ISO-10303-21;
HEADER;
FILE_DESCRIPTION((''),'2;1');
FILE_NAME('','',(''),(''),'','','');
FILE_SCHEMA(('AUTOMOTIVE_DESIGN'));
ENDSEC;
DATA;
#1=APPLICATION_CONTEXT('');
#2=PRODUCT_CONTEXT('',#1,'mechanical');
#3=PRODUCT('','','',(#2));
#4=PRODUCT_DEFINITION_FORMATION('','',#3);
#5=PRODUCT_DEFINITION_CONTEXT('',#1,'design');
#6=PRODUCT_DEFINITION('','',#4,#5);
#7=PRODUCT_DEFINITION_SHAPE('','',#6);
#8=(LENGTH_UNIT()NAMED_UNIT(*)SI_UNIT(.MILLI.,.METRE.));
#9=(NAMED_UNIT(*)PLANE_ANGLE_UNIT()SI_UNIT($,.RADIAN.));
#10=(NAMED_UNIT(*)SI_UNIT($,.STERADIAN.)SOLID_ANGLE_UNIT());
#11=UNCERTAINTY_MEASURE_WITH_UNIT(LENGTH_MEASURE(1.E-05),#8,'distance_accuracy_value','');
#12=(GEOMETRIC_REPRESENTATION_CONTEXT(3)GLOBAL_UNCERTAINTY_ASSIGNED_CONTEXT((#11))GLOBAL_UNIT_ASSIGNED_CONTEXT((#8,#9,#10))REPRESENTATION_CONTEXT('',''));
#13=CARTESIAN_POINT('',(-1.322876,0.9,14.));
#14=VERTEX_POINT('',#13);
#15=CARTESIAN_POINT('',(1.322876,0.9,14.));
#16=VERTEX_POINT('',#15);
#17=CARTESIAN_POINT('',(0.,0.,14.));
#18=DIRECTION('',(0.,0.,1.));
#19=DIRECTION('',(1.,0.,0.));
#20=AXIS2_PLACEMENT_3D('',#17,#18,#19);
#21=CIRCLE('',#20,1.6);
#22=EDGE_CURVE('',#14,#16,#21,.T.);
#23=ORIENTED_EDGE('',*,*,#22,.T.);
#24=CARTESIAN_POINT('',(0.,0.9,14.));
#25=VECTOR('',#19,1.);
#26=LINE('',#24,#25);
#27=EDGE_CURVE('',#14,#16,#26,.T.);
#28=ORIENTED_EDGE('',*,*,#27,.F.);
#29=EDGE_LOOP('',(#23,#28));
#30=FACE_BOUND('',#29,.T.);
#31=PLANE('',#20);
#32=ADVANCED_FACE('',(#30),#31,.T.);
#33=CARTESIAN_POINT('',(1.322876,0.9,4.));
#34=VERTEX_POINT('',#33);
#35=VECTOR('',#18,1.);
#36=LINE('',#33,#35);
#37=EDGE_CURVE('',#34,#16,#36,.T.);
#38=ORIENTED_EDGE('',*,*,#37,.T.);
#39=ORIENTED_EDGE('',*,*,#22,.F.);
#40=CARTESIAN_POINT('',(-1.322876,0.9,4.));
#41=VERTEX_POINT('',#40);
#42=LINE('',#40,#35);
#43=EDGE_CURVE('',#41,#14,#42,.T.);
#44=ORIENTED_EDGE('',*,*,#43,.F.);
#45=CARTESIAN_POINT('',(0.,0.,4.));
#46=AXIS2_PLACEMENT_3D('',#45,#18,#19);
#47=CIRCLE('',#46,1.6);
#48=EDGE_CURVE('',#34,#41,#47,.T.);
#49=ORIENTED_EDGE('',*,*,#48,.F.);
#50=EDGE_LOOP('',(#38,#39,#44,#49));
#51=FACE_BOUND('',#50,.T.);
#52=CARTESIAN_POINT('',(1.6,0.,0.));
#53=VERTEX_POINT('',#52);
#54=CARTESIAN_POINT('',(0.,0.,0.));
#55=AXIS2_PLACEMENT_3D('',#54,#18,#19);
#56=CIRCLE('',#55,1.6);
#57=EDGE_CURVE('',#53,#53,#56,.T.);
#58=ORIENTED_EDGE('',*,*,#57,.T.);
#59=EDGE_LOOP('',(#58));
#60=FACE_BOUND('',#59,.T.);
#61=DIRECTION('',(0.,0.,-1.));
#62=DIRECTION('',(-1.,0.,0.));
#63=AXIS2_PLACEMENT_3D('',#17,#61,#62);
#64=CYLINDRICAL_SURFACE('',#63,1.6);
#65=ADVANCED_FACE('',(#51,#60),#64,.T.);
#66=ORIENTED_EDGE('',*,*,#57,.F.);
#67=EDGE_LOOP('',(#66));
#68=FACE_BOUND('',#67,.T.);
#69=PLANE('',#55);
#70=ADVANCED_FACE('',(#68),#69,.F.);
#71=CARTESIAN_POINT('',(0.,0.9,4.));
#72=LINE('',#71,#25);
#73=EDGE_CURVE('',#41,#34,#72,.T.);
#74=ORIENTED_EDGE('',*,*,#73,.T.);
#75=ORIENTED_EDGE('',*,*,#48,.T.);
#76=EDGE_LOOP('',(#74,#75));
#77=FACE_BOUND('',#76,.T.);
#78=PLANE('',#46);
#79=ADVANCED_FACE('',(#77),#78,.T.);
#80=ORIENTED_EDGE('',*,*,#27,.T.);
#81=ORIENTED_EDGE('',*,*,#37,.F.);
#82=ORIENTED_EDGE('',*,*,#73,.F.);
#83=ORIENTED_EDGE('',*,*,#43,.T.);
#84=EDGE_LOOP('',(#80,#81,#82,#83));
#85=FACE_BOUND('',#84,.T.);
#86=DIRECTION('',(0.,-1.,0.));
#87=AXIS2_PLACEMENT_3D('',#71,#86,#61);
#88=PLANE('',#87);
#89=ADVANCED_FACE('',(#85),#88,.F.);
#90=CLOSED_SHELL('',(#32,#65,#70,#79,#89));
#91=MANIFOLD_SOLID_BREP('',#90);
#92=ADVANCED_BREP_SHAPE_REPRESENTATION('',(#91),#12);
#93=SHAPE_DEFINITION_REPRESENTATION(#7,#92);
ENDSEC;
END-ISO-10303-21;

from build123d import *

# Parameters (mm, degrees)
SKETCH1_R           = 1.6
BOSS_EXTRUDE1_DEPTH = 14
CUT_EXTRUDE1_DEPTH  = 10


with BuildPart() as part:
    # Sketch1 → Boss-Extrude1 (new body)
    with BuildSketch(Plane.XY):
        Circle(SKETCH1_R)
    extrude(amount=BOSS_EXTRUDE1_DEPTH)

    # Sketch3 → Cut-Extrude1 (cut)
    with BuildSketch(Plane.XY.offset(14)):
        Polygon((-19.015262047, 0.9), (-1.322875656, 0.9), (1.322875656, 0.9), (19.015262047, 0.9), (19.015262047, 36.284772782), (-19.015262047, 36.284772782), align=None)
    extrude(amount=-CUT_EXTRUDE1_DEPTH, mode=Mode.SUBTRACT)


solid = part.part
